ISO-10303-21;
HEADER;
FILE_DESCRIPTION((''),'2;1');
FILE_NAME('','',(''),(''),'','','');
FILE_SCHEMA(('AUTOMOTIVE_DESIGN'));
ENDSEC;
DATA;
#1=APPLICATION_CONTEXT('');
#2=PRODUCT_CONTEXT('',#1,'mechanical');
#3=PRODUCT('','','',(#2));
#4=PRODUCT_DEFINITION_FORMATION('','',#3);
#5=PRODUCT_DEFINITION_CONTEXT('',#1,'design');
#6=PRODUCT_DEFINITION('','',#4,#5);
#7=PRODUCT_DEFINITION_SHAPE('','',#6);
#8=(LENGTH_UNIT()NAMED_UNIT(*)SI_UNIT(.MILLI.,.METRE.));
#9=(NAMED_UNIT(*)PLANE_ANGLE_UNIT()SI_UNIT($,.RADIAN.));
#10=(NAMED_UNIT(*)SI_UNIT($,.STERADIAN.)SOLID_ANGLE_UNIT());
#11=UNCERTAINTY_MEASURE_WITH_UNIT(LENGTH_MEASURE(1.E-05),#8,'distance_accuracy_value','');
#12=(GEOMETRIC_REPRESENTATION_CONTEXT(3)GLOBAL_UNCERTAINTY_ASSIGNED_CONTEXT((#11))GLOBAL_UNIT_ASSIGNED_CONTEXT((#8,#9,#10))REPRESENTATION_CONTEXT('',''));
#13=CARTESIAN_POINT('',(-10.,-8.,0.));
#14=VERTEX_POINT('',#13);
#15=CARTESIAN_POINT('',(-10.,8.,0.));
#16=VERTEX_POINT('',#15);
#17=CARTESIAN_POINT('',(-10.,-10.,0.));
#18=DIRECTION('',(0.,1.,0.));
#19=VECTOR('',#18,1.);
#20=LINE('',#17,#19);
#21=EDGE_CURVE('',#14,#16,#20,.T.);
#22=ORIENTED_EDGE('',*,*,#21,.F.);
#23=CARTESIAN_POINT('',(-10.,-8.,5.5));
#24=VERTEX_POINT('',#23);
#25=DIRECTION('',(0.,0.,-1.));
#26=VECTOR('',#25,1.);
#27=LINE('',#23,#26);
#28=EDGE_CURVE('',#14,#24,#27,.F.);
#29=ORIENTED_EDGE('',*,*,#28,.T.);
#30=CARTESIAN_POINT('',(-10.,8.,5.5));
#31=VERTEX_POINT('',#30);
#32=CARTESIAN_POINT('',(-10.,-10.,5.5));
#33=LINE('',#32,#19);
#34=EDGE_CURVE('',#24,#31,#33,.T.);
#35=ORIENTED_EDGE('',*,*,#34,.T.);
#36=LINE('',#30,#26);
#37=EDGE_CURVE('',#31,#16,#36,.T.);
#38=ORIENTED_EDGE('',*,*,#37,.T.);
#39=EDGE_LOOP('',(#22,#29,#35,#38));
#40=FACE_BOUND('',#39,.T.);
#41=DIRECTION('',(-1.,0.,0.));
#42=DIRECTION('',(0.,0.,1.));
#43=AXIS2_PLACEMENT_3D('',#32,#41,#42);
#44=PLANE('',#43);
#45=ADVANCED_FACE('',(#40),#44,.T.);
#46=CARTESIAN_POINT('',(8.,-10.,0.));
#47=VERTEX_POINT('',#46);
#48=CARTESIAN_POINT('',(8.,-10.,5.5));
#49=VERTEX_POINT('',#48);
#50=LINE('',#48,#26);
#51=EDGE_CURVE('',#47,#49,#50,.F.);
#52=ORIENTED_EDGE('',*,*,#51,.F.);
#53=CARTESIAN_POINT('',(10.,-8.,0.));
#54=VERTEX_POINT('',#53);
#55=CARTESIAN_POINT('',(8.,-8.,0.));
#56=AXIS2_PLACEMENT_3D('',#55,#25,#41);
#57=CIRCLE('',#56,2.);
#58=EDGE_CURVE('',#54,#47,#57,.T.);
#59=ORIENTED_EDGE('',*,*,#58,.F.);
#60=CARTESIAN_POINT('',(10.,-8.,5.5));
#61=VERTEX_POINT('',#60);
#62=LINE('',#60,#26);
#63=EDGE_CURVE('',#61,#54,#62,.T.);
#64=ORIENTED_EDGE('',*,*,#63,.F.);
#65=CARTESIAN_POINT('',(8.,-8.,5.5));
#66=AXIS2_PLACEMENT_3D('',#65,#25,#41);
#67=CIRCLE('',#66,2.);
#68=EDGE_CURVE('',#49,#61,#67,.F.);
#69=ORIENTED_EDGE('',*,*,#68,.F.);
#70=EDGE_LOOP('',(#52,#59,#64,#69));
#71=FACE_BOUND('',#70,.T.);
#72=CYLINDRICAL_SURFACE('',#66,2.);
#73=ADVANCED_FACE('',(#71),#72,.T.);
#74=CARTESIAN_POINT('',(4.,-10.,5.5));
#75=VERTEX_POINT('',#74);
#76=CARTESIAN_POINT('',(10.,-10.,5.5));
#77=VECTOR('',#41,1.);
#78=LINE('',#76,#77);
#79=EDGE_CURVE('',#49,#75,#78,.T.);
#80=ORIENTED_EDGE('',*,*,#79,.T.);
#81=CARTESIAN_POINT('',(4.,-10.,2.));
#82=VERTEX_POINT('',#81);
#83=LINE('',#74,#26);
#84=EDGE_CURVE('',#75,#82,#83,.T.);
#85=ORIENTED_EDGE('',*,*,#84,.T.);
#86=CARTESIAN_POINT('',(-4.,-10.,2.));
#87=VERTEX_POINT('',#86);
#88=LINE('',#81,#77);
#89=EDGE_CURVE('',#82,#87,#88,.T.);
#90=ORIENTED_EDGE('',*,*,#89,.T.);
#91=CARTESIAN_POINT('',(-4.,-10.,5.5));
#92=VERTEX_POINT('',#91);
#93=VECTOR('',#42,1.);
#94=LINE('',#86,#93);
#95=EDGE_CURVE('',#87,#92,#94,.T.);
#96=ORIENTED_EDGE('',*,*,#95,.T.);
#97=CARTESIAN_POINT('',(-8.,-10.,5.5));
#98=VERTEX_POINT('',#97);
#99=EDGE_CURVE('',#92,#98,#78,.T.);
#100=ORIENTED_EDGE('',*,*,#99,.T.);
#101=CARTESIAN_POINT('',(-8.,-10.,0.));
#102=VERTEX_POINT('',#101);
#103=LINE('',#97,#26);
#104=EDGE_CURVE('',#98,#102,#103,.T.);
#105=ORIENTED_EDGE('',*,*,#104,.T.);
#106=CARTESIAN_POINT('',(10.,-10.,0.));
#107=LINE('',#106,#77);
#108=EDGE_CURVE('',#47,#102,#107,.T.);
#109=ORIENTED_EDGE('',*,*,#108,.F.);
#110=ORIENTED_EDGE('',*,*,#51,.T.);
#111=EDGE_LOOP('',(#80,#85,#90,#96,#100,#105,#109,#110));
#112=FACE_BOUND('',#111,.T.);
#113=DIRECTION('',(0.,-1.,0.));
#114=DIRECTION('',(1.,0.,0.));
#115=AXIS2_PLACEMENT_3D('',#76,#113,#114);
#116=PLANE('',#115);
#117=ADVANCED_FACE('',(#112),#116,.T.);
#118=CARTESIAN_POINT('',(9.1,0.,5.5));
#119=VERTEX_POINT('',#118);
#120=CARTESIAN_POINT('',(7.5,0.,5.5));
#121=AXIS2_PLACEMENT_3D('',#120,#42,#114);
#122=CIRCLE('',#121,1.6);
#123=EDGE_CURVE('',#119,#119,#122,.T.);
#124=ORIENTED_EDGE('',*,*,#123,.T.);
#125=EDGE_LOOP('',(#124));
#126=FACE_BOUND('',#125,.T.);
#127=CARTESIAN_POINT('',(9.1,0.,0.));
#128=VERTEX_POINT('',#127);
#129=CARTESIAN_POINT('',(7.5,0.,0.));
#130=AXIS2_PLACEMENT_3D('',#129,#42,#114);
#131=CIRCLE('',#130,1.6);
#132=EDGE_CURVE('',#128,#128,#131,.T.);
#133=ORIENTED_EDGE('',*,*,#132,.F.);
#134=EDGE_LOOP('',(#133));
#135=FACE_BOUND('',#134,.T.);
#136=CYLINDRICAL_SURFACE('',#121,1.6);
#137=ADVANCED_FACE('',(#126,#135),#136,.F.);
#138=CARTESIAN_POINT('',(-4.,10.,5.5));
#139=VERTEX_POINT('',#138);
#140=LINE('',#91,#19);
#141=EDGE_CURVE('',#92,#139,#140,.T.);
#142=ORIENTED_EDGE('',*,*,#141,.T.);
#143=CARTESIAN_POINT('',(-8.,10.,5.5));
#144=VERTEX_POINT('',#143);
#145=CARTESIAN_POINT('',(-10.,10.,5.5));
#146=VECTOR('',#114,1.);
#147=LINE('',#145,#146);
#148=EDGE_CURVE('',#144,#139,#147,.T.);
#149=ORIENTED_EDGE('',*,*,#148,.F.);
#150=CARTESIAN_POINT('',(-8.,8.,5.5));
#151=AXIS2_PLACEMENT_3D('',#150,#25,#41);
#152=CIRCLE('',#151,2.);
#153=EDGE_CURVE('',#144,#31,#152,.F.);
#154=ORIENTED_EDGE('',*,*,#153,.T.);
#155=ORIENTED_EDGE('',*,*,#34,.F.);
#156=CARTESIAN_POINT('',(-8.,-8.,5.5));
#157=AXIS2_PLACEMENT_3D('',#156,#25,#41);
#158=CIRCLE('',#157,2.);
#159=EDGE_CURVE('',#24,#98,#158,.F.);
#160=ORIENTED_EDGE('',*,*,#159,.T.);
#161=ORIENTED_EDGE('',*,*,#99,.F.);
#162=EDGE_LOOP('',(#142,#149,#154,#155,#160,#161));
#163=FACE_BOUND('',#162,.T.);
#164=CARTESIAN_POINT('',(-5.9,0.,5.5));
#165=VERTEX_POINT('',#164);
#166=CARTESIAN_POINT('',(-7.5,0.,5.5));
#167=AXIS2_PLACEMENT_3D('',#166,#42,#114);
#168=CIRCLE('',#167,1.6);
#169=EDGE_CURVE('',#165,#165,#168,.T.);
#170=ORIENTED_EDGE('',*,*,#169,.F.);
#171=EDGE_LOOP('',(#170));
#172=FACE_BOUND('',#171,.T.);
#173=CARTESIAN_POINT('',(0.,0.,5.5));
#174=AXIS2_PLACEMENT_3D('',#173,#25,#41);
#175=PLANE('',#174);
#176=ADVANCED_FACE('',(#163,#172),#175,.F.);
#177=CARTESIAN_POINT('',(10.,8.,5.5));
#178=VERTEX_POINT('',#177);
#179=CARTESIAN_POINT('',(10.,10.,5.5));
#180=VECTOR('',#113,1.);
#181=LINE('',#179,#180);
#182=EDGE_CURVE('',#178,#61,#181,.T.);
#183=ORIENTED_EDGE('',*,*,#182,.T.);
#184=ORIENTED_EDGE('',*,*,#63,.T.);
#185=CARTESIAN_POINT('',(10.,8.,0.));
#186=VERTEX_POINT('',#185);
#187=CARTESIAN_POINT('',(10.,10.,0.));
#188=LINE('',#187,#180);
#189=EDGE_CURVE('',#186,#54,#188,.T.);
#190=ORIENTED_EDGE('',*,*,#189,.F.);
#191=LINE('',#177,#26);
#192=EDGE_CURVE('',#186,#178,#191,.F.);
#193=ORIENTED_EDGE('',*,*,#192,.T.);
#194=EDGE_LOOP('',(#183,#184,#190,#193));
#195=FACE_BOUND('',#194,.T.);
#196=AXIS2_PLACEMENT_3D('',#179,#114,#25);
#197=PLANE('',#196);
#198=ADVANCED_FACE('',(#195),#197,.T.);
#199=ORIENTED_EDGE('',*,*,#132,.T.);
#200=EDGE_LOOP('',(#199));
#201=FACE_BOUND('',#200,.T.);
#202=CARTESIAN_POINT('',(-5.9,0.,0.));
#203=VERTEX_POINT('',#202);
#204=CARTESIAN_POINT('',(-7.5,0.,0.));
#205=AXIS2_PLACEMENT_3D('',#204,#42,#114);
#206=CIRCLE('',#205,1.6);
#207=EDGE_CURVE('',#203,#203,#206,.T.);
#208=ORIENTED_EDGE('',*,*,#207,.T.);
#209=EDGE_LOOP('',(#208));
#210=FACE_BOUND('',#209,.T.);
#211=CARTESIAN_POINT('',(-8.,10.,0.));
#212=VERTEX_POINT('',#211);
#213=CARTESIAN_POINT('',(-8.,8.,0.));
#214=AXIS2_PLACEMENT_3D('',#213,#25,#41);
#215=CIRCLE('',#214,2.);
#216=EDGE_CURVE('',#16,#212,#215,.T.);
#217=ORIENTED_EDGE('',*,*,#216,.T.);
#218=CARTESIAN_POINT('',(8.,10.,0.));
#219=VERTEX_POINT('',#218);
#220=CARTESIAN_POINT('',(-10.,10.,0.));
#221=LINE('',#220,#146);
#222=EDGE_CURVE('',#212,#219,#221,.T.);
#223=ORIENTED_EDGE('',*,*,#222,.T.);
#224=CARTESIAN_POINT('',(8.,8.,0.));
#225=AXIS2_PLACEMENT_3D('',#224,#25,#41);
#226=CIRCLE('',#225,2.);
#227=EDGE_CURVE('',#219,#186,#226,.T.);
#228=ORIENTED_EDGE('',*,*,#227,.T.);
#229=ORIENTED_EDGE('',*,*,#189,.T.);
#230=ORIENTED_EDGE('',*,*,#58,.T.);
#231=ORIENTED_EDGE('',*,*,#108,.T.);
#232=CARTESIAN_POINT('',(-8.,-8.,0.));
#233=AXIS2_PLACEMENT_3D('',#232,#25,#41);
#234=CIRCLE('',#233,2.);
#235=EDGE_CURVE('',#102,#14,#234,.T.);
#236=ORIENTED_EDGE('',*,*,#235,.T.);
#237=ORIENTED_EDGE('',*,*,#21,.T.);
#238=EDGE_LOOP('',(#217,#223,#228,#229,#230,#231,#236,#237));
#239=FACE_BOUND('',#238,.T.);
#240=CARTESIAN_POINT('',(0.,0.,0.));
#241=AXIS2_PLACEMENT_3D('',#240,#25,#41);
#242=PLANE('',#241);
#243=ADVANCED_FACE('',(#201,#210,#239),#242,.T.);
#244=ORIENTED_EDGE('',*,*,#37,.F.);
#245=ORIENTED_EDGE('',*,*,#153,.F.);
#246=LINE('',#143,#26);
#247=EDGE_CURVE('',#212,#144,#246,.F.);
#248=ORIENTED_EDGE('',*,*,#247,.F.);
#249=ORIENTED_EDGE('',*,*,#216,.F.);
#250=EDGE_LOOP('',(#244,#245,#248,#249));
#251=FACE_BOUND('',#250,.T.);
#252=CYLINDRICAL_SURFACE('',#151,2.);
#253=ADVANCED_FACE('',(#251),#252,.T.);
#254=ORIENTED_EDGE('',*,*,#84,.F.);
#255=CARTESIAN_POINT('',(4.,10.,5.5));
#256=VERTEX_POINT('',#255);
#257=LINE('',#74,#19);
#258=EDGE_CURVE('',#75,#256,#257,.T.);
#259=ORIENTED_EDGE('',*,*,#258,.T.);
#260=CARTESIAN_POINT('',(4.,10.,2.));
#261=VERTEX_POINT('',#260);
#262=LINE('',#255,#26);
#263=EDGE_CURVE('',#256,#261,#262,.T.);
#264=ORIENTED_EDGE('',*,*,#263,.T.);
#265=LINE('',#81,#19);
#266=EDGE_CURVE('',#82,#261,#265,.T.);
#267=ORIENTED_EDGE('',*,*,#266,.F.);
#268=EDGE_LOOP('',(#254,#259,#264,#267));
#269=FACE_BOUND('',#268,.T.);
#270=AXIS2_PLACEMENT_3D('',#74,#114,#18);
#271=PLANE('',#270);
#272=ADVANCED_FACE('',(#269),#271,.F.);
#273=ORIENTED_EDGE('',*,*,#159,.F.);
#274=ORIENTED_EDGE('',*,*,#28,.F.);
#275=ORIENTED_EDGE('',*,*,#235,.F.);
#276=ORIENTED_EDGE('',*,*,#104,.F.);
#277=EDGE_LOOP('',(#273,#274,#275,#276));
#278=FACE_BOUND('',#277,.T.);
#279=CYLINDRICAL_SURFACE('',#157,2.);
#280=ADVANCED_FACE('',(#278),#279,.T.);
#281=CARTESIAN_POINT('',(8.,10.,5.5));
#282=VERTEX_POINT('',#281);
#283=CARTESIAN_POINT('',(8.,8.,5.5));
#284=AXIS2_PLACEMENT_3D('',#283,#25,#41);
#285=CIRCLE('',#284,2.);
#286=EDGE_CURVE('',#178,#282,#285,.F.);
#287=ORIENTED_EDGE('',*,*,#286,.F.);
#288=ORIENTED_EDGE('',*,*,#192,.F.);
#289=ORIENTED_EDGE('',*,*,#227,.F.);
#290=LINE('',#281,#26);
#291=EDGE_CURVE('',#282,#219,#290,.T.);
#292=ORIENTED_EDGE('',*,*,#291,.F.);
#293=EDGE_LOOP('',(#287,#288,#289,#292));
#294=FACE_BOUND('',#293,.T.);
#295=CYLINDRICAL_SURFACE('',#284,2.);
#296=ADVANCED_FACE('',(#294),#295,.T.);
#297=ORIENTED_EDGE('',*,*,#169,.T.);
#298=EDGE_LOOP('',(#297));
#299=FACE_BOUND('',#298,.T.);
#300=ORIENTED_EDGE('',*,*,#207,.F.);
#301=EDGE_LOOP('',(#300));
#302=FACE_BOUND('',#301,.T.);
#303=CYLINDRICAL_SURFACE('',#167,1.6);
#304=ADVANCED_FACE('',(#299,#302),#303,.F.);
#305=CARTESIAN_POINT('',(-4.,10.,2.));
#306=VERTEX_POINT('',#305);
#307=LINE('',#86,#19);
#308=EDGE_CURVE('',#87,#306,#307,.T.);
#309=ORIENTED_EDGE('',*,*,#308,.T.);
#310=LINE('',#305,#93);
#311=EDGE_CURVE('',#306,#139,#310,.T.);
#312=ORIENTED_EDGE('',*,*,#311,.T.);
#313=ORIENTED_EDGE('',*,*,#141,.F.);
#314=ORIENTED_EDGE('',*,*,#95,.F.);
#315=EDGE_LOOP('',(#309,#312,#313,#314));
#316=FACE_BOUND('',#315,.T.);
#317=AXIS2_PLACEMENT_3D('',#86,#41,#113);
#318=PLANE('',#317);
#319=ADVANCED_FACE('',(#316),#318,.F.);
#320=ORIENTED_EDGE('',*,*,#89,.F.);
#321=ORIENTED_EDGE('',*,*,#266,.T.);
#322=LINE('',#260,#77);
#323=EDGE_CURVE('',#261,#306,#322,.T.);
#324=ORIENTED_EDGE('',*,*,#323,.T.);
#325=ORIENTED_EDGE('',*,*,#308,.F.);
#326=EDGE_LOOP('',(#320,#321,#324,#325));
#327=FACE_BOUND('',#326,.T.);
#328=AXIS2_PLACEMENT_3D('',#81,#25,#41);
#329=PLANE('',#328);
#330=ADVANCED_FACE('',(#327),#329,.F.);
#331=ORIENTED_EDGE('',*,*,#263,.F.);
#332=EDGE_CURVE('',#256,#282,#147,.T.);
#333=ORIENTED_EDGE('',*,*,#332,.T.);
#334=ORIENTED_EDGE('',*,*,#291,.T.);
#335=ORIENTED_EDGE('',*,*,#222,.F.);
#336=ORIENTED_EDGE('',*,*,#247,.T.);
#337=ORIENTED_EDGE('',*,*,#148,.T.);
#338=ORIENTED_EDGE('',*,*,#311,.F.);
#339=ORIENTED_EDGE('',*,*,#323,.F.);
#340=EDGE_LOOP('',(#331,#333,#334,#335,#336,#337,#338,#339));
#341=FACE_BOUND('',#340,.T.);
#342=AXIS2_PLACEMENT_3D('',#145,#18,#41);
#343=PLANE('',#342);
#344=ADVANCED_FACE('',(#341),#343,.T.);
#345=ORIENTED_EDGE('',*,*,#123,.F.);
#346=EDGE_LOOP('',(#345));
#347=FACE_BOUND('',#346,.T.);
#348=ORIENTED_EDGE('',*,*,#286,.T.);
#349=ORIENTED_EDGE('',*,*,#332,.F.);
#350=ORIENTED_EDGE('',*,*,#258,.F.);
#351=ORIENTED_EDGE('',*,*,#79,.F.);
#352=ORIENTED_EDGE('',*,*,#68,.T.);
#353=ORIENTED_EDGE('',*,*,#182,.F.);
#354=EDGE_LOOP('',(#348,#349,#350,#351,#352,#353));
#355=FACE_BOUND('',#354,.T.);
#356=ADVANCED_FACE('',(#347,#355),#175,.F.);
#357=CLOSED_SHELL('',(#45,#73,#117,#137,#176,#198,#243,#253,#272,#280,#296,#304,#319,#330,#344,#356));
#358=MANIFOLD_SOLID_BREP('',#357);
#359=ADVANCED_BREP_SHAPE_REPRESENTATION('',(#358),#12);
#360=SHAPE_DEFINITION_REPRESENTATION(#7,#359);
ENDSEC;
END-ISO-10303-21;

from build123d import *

# Parameters (mm, degrees)
SKETCH1_W           = 20
SKETCH1_H           = 20
BOSS_EXTRUDE1_DEPTH = 5.5
SKETCH2_W           = 8
SKETCH2_H           = 3.5
CUT_EXTRUDE1_DEPTH  = 24.027157879
HOLEWZD1_D          = 3.2
FILLET1_R           = 2


with BuildPart() as part:
    # Sketch1 → Boss-Extrude1 (new body)
    with BuildSketch(Plane(origin=(0, 0, 0), x_dir=(-1, 0, 0), z_dir=(0, 0, -1))):
        Rectangle(SKETCH1_W, SKETCH1_H)
    extrude(amount=-BOSS_EXTRUDE1_DEPTH)

    # Sketch2 → Cut-Extrude1 (cut, through all)
    with BuildSketch(Plane(origin=(0, 10, 0), x_dir=(-1, 0, 0), z_dir=(0, 1, 0))):
        with Locations((0, 3.75)):
            Rectangle(SKETCH2_W, SKETCH2_H)
    extrude(amount=-CUT_EXTRUDE1_DEPTH, mode=Mode.SUBTRACT)

    # HoleWzd1 (through all)
    with Locations(Plane.XY.offset(5.5)):
        with Locations((7.5, 0), (-7.5, 0)):
            Hole(HOLEWZD1_D / 2)

    # Fillet1
    fillet1_edges = [part.edges().sort_by_distance(p)[0] for p in [
        (-10, -10, 2.75),
        (10, -10, 2.75),
        (10, 10, 2.75),
        (-10, 10, 2.75),
    ]]
    fillet(fillet1_edges, radius=FILLET1_R)


solid = part.part
